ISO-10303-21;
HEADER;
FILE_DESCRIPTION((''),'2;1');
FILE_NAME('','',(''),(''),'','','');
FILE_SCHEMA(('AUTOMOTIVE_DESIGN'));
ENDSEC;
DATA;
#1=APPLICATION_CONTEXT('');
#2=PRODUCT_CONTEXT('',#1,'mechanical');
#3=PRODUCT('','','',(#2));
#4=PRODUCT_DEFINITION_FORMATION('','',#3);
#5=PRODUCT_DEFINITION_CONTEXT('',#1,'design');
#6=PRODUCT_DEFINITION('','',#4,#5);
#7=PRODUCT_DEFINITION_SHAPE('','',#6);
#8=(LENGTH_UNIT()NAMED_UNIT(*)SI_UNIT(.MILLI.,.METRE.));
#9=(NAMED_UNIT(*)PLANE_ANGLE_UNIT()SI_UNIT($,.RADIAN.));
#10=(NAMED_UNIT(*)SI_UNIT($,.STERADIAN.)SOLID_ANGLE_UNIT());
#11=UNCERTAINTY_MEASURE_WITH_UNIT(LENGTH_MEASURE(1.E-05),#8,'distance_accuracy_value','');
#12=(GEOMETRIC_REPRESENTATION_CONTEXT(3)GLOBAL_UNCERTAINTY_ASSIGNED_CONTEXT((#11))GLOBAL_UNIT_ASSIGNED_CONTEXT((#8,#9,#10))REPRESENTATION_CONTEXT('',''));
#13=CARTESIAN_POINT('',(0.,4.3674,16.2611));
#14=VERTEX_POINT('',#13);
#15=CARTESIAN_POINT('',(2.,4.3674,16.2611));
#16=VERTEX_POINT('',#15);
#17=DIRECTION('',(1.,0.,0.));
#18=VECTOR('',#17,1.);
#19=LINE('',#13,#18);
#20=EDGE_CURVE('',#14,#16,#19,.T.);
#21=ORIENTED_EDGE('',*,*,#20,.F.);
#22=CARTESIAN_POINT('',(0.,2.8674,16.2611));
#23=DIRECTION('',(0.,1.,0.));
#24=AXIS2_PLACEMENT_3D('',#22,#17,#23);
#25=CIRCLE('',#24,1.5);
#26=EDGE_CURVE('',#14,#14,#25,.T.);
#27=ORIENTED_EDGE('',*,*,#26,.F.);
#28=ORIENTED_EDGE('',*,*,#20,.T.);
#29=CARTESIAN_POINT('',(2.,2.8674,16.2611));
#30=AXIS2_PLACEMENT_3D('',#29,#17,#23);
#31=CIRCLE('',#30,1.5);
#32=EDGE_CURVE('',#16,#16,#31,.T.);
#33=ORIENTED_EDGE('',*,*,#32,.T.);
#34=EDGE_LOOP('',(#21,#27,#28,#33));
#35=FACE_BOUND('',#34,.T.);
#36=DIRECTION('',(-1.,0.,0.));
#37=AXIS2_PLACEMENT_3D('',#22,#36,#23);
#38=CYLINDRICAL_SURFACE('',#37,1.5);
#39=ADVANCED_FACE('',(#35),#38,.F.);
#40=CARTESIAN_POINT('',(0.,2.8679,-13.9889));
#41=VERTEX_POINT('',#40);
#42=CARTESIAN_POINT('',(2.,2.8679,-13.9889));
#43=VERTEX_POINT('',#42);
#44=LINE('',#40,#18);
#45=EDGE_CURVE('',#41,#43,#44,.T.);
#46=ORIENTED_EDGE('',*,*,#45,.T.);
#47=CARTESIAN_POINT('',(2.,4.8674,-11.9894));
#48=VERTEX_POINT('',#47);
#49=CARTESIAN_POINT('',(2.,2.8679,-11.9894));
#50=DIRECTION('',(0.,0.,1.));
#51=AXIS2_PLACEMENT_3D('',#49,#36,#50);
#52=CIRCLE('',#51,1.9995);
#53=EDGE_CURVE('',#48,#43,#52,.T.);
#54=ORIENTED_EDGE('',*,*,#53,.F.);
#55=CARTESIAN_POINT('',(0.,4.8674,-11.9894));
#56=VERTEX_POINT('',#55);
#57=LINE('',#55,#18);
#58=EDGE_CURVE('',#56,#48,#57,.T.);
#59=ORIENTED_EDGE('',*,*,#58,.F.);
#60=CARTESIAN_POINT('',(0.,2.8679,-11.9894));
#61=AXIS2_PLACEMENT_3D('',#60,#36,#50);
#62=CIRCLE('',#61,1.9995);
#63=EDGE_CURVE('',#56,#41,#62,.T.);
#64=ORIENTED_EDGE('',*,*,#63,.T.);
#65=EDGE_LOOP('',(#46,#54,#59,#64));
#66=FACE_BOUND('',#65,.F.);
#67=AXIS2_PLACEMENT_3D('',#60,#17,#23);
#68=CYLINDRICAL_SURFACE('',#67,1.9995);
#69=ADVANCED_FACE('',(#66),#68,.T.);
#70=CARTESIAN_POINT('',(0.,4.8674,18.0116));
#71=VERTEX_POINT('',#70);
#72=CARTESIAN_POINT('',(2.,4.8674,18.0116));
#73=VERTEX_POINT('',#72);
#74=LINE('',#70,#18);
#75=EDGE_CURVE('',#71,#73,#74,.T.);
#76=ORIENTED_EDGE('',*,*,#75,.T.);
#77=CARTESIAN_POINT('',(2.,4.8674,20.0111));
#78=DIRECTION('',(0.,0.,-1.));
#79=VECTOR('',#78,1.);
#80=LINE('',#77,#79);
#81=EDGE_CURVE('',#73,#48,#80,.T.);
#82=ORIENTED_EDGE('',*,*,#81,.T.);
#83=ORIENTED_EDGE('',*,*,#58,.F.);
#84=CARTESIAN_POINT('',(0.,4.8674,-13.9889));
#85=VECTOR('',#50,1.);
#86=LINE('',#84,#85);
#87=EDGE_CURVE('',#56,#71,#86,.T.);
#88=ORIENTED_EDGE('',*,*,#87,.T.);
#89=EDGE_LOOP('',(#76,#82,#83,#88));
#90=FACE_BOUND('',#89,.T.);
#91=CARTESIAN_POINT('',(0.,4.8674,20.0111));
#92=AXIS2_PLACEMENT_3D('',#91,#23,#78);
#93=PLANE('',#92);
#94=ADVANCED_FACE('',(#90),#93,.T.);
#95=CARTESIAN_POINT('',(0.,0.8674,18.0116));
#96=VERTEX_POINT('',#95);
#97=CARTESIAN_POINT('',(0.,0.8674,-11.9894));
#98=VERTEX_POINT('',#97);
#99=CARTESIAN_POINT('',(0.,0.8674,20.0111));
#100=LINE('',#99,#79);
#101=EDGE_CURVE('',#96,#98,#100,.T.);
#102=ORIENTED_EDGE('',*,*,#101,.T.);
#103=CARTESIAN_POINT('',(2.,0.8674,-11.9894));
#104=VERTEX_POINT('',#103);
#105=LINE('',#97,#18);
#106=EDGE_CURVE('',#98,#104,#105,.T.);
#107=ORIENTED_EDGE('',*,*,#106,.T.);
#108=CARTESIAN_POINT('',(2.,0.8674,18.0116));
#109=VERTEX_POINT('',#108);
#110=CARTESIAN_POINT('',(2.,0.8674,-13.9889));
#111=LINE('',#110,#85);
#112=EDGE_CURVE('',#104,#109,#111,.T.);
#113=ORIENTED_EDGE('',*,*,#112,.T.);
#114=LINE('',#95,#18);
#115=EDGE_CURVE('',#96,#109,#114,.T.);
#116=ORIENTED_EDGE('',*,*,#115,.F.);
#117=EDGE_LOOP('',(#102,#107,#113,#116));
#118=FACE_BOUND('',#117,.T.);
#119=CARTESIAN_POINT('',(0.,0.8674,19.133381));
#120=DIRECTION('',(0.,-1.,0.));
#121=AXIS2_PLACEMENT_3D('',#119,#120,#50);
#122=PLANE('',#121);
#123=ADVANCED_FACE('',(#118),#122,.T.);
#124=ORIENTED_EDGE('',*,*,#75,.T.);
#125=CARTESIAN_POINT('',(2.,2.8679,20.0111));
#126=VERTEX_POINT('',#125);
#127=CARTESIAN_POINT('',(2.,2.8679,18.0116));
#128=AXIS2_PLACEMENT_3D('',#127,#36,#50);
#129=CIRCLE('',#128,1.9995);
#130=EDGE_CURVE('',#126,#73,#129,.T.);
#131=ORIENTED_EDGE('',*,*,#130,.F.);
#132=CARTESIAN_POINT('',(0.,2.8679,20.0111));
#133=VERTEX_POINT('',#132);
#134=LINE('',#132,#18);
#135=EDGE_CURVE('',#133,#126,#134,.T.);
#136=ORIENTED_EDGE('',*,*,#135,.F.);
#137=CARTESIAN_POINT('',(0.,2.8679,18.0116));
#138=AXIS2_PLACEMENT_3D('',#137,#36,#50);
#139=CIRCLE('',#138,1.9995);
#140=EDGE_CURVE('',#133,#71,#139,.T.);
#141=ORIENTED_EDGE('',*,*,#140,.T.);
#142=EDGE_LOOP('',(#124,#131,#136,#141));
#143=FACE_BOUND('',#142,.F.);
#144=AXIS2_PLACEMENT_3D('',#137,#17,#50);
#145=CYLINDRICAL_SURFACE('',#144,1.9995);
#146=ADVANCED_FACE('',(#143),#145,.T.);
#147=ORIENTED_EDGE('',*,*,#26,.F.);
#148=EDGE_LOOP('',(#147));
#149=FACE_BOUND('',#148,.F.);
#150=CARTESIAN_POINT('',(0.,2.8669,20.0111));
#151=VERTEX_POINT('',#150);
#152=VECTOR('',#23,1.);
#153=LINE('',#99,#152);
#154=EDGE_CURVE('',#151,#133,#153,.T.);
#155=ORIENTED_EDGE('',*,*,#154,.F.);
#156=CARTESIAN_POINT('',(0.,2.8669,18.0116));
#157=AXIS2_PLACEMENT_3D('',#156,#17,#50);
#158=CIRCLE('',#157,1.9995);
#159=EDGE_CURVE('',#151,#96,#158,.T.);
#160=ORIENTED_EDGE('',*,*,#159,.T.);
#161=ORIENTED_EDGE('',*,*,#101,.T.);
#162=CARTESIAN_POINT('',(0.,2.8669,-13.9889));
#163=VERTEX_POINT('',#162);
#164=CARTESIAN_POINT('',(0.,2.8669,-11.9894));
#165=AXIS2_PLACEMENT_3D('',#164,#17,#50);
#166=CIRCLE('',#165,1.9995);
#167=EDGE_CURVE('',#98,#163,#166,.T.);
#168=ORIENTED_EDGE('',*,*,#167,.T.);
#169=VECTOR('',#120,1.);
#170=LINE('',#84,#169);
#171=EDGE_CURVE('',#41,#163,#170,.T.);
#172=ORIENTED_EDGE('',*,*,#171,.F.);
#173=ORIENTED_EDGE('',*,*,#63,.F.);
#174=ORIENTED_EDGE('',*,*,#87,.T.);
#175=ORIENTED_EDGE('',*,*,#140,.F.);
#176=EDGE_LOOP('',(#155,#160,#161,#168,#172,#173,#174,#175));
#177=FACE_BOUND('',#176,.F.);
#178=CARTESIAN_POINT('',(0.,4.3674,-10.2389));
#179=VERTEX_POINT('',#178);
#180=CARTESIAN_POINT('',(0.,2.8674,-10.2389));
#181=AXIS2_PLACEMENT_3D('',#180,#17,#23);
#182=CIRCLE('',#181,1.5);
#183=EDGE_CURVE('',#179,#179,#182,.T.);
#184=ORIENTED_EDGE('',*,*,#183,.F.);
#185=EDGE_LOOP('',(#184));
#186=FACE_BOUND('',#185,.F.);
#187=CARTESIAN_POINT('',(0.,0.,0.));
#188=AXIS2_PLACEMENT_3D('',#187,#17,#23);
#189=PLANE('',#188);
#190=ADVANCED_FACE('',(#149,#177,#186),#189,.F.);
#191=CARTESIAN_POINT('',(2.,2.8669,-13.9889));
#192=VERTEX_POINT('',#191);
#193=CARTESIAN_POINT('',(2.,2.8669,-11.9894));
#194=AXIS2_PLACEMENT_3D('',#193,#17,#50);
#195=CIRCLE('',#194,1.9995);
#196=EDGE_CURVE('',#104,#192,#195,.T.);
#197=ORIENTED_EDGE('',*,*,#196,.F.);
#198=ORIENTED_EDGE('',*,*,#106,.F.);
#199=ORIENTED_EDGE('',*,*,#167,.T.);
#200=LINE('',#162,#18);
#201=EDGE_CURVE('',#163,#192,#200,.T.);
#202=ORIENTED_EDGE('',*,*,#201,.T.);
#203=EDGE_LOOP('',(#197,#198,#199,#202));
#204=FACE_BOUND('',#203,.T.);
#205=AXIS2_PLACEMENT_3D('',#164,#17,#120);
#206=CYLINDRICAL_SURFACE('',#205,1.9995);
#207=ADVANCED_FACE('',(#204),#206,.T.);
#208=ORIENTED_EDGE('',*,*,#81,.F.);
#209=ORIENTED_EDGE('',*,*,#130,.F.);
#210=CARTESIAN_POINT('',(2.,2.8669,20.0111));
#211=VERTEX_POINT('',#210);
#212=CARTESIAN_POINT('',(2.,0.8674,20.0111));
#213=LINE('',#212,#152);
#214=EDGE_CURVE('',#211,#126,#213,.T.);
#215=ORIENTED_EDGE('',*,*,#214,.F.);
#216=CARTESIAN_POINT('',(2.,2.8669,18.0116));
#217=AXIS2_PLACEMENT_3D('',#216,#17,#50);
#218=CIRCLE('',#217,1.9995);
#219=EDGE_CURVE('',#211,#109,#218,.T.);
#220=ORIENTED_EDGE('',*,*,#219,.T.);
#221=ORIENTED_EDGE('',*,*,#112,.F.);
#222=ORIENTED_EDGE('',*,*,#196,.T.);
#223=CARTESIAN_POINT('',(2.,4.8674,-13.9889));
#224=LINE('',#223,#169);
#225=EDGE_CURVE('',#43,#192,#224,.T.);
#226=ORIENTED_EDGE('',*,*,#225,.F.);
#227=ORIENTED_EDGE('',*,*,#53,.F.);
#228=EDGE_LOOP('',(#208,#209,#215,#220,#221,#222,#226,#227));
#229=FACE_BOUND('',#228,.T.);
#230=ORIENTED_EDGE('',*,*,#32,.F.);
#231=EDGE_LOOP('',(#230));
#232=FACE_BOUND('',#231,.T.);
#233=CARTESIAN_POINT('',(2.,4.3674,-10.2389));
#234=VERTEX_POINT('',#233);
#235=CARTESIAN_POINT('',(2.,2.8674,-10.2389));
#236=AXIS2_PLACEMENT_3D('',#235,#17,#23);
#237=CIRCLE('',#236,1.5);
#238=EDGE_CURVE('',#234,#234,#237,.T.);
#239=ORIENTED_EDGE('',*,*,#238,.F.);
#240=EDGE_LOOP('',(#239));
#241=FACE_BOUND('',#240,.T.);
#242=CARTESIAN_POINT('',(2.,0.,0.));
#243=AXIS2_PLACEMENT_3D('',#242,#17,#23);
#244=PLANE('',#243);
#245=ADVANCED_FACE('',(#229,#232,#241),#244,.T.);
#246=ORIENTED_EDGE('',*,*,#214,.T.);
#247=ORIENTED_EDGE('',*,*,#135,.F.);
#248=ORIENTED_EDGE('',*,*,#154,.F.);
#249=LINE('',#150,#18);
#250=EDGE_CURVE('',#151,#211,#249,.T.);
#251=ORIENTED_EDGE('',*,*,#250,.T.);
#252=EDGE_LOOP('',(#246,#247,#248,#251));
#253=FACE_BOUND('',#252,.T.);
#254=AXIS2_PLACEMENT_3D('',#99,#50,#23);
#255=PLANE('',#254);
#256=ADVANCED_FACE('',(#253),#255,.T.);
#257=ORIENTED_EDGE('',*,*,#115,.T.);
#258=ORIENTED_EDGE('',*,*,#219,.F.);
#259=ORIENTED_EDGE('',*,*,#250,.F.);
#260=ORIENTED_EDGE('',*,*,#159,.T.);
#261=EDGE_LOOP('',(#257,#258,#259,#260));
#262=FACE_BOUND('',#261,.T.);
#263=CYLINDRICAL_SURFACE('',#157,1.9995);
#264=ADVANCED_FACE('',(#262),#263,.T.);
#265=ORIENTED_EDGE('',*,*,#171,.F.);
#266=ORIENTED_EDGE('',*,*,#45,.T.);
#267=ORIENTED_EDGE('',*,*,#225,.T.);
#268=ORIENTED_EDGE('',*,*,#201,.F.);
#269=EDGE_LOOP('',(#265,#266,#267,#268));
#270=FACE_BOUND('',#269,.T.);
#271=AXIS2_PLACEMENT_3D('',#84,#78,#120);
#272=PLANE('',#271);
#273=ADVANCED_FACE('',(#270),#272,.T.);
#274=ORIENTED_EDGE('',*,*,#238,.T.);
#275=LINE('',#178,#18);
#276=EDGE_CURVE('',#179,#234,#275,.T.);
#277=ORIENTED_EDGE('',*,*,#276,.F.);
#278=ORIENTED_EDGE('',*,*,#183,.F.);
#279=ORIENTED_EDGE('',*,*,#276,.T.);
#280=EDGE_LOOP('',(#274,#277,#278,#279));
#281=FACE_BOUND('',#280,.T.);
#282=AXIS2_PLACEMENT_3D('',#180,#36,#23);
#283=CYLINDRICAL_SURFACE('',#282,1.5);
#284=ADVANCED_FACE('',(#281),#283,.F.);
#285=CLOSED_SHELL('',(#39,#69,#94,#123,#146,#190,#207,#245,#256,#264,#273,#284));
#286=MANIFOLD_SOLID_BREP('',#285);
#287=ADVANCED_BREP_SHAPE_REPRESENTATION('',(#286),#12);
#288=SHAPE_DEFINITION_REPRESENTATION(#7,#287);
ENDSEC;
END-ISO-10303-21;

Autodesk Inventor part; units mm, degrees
ref_plane "YZ Plane" through (0, 0, 0) normal (1, 0, 0) x (0, 1, 0)
ref_plane "XZ Plane" through (0, 0, 0) normal (0, 1, 0) x (-1, 0, 0)
ref_plane "XY Plane" through (0, 0, 0) normal (0, 0, 1) x (1, 0, 0)
sketch "スケッチ1" plane through (0, 0, 0) normal (1, 0, 0) x (0, 1, 0)
  line L0 (0.8674, 20.0111) -> (4.8674, 20.0111)
  line L1 (4.8674, 20.0111) -> (4.8674, -13.9889)
  line L2 (4.8674, -13.9889) -> (0.8674, -13.9889)
  line L3 (0.8674, -13.9889) -> (0.8674, 20.0111)
  circle A0 centre (2.8674, 16.2611) radius 1.5
  line L4 (0.8674, 12.5111) -> (5.8674, 12.5111)
  line L5 (5.8674, 12.5111) -> (5.8674, -6.4889)
  line L6 (5.8674, -6.4889) -> (0.8674, -6.4889)
  line L7 (0.8674, -6.4889) -> (0.8674, 12.5111)
  circle A1 centre (2.8674, 16.2611) radius 3.5
  line L8 (0.8674, 3.0111) -> (5.8674, 3.0111)
  circle A2 centre (2.8674, -10.2389) radius 1.5
  line L9 (0.8674, 12.5111) -> (0.3674, 12.5111)
  line L10 (0.3674, 12.5111) -> (0.3674, -6.4889)
  line L11 (0.3674, -6.4889) -> (0.8674, -6.4889)
  line L12 (0.8674, -6.4889) -> (0.8674, 12.5111)
  point P0 (0, 0)
  dimension "d0" = 4
  dimension "d1" = 34
  dimension "d2" = 3
  dimension "d3" = 5
  dimension "d4" = 19
  dimension "d5" = 7.5
  dimension "d6" = 3.75
  dimension "d7" = 2
  dimension "d8" = 7
  dimension "d9" = 0.5
extrude "押し出し1" add sketch "スケッチ1" along normal blind 2 contours L0 L1 A1 L3 | A1 L1 L3 | A1 L1 L4 L3 | L4 L1 L8 L3 | L8 L1 L6 L3 | L6 L1 L2 L3
fillet "フィレット1" radius 2 4 edges at (1, 4.8674, 20.0111) (1, 0.8674, 20.0111) (1, 0.8674, -13.9889) (1, 4.8674, -13.9889)
properties part number "belt_liner_v1_Plate_14" material "アルミニウム 6061"
